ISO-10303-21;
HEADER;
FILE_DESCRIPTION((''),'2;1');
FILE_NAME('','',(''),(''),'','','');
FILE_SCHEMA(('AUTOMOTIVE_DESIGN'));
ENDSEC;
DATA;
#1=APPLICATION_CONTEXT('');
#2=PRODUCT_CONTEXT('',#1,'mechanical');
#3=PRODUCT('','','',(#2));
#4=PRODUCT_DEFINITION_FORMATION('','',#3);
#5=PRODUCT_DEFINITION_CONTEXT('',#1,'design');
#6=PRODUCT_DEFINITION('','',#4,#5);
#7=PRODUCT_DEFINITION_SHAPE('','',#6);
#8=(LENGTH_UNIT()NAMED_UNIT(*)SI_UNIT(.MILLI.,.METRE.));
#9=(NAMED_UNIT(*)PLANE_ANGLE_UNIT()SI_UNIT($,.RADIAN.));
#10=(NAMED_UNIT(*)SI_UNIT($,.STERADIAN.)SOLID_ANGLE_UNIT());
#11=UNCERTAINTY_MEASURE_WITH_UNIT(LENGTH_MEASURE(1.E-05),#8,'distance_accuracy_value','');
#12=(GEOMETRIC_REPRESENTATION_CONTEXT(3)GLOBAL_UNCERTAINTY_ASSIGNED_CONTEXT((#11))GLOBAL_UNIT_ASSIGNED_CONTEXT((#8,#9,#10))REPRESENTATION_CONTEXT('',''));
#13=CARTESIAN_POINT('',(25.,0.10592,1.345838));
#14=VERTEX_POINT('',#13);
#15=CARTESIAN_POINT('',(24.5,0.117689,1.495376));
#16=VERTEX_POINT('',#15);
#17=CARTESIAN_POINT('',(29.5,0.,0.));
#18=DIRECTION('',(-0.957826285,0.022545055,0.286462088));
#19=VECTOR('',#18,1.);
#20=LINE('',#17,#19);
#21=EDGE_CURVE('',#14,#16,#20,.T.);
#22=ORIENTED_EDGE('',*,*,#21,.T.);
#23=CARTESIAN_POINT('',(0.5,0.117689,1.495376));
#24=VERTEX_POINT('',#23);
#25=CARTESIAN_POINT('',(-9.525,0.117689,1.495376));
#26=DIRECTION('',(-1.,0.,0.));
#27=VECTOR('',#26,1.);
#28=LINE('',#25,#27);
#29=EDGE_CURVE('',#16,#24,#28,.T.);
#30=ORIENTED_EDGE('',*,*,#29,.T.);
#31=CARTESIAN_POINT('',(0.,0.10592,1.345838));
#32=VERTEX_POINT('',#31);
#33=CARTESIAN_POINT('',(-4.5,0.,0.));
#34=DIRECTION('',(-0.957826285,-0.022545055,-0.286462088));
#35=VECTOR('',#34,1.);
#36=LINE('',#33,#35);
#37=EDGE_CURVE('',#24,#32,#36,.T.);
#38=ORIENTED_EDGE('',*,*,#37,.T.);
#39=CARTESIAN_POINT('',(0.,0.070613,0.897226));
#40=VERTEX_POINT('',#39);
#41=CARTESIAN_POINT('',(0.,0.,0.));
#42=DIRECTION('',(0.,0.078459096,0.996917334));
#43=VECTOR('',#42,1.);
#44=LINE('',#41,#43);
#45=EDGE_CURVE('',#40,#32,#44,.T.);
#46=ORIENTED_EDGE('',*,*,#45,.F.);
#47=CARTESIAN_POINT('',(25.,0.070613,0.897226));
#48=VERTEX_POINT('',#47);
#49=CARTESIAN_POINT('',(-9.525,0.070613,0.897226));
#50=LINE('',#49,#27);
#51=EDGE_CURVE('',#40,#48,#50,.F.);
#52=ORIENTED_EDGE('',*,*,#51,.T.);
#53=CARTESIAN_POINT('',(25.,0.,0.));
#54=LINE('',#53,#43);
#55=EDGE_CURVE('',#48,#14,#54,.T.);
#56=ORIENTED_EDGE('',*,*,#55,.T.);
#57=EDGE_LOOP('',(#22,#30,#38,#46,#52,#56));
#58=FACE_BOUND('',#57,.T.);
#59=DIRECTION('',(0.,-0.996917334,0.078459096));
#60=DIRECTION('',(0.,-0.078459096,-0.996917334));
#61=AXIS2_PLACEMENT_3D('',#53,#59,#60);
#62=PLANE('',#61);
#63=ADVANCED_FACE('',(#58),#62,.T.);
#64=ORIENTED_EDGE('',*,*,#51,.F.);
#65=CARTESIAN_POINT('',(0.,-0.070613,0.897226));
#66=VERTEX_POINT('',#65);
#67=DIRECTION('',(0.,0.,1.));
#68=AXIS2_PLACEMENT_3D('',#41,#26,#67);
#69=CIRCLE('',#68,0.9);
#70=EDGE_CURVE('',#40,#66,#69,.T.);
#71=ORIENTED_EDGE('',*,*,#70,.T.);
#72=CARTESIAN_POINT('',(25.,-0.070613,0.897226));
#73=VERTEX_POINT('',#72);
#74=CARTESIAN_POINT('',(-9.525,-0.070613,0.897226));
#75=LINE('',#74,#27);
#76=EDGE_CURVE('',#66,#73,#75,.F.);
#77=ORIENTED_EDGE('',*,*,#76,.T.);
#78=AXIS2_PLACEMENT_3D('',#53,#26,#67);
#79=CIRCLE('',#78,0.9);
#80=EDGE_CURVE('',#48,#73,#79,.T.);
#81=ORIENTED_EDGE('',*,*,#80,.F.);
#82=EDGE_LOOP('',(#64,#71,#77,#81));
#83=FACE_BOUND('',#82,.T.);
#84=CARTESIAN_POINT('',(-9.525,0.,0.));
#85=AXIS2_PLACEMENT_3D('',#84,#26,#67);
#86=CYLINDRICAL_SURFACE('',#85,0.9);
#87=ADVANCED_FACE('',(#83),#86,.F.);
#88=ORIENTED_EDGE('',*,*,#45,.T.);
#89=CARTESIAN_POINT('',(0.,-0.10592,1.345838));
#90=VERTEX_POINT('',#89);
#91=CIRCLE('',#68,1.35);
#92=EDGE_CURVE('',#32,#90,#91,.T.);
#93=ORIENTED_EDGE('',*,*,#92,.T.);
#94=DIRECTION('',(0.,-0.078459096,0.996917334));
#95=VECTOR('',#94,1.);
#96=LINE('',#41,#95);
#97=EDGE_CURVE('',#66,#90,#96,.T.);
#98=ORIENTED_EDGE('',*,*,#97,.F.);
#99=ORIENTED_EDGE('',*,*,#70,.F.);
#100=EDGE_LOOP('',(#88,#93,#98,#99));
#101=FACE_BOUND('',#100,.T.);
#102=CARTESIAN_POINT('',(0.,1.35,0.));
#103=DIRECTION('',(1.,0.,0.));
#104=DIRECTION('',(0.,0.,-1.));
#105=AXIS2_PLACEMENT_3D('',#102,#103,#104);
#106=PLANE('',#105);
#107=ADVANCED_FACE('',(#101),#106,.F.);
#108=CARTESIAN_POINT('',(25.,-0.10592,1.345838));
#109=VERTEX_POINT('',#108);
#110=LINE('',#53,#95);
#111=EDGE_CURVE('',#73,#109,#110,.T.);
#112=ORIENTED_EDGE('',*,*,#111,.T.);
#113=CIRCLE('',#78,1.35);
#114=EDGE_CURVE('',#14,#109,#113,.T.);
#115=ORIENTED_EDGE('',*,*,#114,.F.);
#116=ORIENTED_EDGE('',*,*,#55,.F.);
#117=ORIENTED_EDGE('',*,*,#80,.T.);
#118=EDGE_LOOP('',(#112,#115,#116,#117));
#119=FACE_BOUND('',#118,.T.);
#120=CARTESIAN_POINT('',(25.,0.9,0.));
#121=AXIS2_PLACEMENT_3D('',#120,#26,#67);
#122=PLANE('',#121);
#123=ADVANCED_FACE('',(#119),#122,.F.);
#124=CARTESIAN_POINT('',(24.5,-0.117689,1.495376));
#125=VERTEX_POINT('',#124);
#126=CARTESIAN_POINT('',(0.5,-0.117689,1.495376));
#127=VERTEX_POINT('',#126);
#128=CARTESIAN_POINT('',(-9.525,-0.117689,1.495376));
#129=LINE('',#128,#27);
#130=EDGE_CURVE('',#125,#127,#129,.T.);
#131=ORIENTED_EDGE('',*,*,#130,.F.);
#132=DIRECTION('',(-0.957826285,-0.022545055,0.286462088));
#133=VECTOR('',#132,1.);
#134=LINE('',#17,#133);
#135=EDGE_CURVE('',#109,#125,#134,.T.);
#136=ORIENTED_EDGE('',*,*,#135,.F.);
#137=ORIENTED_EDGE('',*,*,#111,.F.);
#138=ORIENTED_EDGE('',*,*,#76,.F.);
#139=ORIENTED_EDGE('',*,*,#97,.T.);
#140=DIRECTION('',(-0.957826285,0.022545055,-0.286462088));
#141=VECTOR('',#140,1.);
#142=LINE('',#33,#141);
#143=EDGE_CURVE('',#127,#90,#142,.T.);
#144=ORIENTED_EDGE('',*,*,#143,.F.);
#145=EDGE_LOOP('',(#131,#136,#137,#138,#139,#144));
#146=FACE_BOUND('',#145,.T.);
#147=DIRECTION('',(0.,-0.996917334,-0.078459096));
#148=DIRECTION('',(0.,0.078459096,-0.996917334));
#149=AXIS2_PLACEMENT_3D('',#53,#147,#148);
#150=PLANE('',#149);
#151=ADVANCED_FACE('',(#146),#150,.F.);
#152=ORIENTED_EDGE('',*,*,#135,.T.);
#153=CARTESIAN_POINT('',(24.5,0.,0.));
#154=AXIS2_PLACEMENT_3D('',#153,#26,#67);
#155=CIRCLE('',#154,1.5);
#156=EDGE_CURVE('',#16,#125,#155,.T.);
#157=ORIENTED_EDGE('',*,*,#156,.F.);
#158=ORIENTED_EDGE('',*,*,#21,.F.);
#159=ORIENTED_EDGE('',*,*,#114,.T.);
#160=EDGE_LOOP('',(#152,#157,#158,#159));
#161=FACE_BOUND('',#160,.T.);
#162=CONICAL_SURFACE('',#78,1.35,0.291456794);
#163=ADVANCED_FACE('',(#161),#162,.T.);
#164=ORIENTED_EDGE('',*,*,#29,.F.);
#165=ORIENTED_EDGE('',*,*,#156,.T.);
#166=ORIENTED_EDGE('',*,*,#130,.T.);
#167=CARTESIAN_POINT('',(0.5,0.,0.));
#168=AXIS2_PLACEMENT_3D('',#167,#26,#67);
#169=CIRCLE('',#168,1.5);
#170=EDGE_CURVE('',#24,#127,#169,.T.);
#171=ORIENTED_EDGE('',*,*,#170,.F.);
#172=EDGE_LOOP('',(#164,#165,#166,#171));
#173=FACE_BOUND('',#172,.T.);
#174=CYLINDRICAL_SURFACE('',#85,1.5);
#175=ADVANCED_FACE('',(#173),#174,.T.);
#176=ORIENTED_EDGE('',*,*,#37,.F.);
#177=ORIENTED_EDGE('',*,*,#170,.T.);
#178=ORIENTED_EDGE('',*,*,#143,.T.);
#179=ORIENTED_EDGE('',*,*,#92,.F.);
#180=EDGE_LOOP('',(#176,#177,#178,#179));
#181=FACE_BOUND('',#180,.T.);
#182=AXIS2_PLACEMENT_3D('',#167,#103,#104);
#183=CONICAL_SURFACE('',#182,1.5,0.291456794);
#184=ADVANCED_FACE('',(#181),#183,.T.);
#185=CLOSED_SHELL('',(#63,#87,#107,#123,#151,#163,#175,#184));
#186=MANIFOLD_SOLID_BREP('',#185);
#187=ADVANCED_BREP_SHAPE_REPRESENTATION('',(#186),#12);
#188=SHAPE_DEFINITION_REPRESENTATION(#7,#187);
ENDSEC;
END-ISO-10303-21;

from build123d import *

# Parameters (mm, degrees)
GAP_DEPTH = 26.089838581


with BuildPart() as part:
    # Sketch1 → Base-Revolve (revolve)
    with BuildSketch(Plane.XY, mode=Mode.PRIVATE) as base_revolve_sk:
        Polygon((0, 0.9), (25, 0.9), (25, 1.35), (24.5, 1.5), (0.5, 1.5), (0, 1.35), align=None)
    revolve(base_revolve_sk.sketch.rotate(Axis((-9.525, 0, 0), (1, 0, 0)), 90), axis=Axis((-9.525, 0, 0), (1, 0, 0)))

    # Sketch2 → Gap (cut, through all)
    with BuildSketch(Plane(origin=(0, 0, 0), x_dir=(0, -1, 0), z_dir=(-1, 0, 0))):
        with BuildLine():
            Line((0, 0), (0.120042416, 1.525283521))
            ThreePointArc((0.120042416, 1.525283521), (0, 1.53), (-0.120042416, 1.525283521))
            Line((-0.120042416, 1.525283521), (0, 0))
        make_face()
    extrude(amount=-GAP_DEPTH, mode=Mode.SUBTRACT)


solid = part.part
